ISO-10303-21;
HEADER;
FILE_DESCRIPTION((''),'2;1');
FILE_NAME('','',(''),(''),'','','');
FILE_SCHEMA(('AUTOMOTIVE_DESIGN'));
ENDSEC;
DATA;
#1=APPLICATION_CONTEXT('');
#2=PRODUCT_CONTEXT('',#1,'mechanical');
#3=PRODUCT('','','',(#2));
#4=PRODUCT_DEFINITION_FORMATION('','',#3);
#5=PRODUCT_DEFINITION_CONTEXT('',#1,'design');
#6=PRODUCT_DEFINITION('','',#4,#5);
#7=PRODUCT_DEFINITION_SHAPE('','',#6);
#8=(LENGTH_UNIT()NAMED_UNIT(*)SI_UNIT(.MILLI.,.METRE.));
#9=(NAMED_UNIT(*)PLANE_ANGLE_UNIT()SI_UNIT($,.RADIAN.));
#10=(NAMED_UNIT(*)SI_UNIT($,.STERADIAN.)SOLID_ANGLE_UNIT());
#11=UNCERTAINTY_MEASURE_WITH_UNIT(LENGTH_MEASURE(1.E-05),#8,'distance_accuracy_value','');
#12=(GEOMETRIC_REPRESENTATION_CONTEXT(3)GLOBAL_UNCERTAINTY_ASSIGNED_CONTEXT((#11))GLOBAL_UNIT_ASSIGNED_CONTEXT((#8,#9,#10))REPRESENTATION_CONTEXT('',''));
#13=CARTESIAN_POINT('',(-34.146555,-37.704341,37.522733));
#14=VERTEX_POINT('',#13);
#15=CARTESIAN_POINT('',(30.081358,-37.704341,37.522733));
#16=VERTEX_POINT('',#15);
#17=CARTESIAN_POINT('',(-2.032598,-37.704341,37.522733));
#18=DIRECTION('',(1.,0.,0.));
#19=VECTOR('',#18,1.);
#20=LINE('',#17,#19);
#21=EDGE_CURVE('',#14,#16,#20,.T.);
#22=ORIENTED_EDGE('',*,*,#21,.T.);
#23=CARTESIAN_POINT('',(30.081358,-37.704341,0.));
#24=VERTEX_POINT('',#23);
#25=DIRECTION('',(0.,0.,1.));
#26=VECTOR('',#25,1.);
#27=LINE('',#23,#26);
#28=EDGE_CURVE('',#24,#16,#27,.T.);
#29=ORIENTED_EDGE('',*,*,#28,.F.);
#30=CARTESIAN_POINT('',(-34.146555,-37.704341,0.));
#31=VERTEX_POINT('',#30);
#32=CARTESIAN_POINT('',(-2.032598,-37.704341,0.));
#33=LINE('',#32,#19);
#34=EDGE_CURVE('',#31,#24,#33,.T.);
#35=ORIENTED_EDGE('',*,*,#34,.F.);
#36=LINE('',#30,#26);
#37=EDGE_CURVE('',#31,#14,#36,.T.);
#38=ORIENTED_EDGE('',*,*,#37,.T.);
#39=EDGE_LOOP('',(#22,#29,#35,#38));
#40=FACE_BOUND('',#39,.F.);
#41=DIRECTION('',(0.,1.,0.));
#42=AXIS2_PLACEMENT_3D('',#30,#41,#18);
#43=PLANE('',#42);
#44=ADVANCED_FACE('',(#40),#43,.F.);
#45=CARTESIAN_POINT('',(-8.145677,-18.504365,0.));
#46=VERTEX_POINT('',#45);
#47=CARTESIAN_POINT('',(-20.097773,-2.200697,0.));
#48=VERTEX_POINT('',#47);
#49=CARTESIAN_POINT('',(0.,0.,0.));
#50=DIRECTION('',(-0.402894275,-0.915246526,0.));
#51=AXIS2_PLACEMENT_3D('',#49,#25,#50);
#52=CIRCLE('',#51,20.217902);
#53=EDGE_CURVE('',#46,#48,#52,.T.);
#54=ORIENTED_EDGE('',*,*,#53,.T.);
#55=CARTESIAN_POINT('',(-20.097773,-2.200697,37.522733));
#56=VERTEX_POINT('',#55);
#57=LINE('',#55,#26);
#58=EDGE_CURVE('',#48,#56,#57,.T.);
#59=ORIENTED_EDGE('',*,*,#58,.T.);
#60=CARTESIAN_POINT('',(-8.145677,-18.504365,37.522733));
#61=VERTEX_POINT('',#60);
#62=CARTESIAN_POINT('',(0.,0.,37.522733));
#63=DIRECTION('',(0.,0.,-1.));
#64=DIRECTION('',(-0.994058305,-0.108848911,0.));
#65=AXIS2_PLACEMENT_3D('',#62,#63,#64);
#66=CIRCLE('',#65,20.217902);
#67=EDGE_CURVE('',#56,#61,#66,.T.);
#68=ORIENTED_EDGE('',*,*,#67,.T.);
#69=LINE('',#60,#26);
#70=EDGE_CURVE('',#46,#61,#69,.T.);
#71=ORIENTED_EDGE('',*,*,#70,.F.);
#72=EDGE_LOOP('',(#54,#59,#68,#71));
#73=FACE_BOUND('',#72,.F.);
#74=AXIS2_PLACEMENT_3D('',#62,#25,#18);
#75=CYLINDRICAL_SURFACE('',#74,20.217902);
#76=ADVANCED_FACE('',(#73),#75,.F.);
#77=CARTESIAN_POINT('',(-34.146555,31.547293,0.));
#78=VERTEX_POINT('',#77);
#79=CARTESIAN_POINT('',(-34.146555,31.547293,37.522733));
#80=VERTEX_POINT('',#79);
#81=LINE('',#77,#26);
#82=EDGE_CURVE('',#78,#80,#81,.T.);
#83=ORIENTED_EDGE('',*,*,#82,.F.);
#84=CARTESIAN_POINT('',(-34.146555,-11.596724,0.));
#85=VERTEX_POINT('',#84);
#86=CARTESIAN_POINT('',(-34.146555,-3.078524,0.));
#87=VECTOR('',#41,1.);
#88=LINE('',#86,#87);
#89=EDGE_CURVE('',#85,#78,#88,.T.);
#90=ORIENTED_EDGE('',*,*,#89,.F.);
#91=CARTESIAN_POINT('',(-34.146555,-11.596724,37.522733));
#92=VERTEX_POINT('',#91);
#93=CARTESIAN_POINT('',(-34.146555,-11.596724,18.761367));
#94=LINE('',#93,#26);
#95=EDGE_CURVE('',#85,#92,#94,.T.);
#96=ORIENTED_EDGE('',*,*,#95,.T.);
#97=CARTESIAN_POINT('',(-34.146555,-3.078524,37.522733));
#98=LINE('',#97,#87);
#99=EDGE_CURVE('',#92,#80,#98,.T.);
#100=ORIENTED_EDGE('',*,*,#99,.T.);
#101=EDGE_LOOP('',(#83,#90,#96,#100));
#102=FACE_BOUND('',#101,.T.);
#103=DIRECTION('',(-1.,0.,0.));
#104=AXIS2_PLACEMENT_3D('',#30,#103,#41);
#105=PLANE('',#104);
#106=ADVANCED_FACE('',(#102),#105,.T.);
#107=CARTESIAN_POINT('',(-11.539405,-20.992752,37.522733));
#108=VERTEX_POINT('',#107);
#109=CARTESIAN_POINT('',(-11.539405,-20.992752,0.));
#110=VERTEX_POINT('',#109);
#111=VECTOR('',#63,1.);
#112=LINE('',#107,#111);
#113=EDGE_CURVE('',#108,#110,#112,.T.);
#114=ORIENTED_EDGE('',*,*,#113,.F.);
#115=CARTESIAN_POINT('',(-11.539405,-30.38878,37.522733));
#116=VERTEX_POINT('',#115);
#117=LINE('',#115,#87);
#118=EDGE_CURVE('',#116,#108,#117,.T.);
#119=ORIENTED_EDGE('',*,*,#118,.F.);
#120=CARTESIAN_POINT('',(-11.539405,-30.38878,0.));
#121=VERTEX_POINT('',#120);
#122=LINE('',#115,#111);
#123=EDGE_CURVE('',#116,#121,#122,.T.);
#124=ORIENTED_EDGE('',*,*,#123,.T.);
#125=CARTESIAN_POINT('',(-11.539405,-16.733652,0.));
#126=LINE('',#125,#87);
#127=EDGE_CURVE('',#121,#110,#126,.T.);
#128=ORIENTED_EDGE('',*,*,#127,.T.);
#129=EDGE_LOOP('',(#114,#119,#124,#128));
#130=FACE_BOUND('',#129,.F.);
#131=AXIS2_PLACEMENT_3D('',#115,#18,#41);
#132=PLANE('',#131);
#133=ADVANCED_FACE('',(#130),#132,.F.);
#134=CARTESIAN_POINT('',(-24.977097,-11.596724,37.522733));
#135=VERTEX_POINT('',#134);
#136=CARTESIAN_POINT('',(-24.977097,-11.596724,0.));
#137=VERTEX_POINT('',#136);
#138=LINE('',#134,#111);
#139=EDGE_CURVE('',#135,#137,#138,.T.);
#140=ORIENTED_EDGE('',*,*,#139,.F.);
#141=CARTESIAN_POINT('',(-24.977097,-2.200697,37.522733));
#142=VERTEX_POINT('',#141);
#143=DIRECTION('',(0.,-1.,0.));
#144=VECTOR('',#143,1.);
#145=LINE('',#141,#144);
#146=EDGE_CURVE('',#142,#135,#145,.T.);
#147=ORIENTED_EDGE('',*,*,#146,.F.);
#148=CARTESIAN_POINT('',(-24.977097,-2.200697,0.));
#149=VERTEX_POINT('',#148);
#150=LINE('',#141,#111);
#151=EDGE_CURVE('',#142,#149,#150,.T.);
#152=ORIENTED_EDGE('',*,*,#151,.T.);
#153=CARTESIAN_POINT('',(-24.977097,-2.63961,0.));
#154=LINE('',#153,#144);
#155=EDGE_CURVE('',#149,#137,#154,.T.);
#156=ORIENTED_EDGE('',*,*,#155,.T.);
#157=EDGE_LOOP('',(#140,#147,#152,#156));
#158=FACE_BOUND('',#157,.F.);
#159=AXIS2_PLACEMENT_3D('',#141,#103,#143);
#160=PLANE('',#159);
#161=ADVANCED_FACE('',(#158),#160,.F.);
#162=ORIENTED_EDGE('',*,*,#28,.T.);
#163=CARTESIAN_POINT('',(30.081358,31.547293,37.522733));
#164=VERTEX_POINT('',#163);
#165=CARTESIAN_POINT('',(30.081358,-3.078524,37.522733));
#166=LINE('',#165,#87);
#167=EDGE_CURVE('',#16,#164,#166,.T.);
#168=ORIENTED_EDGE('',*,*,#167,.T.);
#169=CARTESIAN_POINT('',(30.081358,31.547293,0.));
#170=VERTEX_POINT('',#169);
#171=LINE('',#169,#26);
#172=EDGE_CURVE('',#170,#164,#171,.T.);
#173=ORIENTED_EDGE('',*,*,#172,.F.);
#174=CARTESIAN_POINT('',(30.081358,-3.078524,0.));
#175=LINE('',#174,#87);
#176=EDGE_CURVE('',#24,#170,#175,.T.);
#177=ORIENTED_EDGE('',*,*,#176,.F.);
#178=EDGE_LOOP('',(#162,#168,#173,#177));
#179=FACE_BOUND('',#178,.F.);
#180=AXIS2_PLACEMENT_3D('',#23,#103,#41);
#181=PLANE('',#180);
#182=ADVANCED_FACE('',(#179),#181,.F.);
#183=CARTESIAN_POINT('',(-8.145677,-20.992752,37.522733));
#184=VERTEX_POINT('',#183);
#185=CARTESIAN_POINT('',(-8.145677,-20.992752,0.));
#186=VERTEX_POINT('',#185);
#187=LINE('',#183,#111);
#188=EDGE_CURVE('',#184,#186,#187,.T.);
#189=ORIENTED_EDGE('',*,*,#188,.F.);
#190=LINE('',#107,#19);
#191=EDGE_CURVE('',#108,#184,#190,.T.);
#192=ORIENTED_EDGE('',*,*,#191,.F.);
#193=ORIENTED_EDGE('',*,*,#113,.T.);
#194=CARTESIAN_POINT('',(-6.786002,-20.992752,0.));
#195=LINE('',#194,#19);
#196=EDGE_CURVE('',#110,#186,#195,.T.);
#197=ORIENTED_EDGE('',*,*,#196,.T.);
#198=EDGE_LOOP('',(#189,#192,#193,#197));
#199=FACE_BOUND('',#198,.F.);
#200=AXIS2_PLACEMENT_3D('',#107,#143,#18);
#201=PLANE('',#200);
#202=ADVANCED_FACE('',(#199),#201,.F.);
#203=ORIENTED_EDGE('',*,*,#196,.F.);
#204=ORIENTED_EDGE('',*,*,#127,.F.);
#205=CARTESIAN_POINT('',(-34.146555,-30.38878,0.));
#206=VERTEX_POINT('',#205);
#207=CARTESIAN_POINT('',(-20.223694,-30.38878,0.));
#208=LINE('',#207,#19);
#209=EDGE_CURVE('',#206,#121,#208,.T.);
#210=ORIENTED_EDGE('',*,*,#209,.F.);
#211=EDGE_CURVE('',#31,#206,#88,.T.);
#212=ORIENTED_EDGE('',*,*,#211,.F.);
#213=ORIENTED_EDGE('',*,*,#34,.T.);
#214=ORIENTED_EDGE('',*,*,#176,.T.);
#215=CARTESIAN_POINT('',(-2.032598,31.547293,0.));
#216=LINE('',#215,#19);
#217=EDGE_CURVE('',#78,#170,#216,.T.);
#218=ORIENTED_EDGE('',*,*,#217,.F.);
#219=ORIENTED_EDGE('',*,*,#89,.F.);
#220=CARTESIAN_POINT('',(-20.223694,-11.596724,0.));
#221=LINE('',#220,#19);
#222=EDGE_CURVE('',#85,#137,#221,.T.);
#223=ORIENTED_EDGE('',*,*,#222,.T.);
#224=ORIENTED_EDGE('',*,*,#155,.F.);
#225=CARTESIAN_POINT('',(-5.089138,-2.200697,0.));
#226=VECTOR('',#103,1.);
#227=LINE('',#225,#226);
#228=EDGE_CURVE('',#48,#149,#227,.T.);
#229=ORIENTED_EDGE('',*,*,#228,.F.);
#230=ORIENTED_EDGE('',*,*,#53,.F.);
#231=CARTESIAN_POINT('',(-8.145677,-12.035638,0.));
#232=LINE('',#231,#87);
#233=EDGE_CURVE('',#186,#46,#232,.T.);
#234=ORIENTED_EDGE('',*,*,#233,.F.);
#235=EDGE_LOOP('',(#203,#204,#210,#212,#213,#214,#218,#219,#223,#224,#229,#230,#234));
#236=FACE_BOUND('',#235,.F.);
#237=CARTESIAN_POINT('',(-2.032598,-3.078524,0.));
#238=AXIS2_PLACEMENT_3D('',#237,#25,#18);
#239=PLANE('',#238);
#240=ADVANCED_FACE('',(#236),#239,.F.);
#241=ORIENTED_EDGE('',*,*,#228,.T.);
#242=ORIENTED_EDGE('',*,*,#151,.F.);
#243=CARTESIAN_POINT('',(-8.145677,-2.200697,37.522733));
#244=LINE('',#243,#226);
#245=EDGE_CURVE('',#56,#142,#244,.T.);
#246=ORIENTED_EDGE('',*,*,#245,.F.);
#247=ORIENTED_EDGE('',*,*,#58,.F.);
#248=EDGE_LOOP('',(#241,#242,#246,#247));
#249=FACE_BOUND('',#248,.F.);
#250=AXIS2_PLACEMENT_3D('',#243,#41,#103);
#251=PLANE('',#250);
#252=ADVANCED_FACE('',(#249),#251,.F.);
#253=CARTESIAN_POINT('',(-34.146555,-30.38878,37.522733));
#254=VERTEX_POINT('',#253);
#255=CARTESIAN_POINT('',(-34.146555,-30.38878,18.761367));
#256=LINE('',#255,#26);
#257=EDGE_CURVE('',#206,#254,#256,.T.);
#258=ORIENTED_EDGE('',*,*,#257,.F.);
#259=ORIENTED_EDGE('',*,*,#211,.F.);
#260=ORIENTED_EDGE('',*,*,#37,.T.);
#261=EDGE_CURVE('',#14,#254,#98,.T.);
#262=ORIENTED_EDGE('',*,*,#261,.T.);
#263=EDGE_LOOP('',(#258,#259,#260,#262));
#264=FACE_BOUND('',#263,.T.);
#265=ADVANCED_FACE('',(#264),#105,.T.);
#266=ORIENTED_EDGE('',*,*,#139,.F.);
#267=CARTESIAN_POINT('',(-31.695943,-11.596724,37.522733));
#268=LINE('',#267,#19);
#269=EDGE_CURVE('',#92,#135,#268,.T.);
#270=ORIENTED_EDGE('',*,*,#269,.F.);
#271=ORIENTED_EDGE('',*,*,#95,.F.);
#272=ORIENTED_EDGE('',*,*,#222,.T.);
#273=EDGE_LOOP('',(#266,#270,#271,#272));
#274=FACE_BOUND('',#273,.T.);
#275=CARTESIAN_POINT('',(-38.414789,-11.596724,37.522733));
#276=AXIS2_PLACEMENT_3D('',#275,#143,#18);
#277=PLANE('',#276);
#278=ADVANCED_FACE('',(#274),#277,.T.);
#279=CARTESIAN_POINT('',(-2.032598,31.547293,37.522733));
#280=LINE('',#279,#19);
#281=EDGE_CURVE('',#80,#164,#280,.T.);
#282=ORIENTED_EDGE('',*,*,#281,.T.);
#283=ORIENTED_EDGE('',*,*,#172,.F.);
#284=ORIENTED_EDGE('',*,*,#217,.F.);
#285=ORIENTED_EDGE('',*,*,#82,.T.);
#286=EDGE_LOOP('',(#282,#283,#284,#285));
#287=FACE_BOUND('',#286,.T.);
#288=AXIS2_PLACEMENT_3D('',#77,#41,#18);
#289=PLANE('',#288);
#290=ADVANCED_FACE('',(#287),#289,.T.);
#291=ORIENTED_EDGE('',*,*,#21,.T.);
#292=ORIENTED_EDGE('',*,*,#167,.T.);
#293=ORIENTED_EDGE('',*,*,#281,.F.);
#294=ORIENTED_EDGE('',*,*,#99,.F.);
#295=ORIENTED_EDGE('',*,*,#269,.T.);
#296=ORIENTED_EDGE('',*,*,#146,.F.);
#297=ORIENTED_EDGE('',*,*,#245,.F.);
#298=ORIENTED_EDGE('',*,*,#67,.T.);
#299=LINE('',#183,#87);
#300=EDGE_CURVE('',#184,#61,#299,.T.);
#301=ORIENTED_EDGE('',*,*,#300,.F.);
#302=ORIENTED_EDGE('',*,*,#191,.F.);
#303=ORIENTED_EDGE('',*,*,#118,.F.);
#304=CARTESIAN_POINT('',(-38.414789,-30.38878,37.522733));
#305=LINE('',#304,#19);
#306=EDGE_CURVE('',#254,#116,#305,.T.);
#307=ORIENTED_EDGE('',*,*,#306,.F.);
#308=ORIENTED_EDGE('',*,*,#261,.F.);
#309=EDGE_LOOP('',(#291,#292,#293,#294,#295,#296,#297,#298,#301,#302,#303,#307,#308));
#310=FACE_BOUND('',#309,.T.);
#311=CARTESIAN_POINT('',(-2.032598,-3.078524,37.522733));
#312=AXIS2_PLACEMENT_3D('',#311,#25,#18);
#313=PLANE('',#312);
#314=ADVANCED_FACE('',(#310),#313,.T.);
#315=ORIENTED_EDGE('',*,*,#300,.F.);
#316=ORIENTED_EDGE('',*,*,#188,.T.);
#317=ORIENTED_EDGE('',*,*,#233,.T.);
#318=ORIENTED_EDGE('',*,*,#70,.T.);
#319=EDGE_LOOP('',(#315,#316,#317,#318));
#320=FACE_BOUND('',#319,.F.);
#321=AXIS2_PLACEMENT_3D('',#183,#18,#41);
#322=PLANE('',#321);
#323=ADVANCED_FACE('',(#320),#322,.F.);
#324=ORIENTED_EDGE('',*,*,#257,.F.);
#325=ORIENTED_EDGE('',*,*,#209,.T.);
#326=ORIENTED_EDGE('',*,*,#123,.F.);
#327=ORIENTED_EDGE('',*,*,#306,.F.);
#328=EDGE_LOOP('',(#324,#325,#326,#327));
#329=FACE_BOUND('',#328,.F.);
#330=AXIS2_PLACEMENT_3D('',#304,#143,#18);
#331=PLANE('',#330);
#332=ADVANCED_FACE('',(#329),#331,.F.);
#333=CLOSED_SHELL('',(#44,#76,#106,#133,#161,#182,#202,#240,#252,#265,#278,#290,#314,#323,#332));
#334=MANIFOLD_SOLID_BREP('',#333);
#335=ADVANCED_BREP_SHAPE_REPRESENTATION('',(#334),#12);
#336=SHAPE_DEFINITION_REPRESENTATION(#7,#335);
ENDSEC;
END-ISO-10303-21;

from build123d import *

# Parameters (mm, degrees)
F0_W     = 64.227912575
F0_H     = 69.2516341805
F1_DEPTH = 37.5227332115
F2_R     = 20.2179019698
F3_DEPTH = 93.5621410608
F4_W     = 13.437692076
F4_H     = 9.3960277736
F5_DEPTH = 134.1055929661


with BuildPart() as f1:
    # F0 (on Top) → F1 (new body)
    with BuildSketch(Plane.XY):
        with Locations((-2.0325984806, -3.0785240233)):
            Rectangle(F0_W, F0_H)
    extrude(amount=F1_DEPTH)

    # F2 (on face) → F3 (cut)
    with BuildSketch(Plane.XY.offset(37.5227332115)):
        Circle(F2_R)
    extrude(amount=-F3_DEPTH, mode=Mode.SUBTRACT)

    # F4 (on face) → F5 (cut)
    with BuildSketch(Plane.XY.offset(37.5227332115)):
        with Locations((-18.2582512498, -25.6907660514)):
            Rectangle(F4_W, F4_H)
        with Locations((-31.6959433258, -25.6907660514)):
            Rectangle(F4_W, F4_H)
        with Locations((-18.2582512498, -16.2947382778)):
            Rectangle(F4_W, F4_H)
        Polygon((-11.5394052118, -11.596724391), (-11.5394052118, -20.9927521646), (-8.1456769597, -20.9927521646), (-8.1456769597, -2.2006966174), (-24.9770972878, -2.2006966174), (-24.9770972878, -11.596724391), align=None)
        with Locations((-31.6959433258, -16.2947382778)):
            Rectangle(F4_W, F4_H)
    extrude(amount=-F5_DEPTH, mode=Mode.SUBTRACT)


solid = f1.part
